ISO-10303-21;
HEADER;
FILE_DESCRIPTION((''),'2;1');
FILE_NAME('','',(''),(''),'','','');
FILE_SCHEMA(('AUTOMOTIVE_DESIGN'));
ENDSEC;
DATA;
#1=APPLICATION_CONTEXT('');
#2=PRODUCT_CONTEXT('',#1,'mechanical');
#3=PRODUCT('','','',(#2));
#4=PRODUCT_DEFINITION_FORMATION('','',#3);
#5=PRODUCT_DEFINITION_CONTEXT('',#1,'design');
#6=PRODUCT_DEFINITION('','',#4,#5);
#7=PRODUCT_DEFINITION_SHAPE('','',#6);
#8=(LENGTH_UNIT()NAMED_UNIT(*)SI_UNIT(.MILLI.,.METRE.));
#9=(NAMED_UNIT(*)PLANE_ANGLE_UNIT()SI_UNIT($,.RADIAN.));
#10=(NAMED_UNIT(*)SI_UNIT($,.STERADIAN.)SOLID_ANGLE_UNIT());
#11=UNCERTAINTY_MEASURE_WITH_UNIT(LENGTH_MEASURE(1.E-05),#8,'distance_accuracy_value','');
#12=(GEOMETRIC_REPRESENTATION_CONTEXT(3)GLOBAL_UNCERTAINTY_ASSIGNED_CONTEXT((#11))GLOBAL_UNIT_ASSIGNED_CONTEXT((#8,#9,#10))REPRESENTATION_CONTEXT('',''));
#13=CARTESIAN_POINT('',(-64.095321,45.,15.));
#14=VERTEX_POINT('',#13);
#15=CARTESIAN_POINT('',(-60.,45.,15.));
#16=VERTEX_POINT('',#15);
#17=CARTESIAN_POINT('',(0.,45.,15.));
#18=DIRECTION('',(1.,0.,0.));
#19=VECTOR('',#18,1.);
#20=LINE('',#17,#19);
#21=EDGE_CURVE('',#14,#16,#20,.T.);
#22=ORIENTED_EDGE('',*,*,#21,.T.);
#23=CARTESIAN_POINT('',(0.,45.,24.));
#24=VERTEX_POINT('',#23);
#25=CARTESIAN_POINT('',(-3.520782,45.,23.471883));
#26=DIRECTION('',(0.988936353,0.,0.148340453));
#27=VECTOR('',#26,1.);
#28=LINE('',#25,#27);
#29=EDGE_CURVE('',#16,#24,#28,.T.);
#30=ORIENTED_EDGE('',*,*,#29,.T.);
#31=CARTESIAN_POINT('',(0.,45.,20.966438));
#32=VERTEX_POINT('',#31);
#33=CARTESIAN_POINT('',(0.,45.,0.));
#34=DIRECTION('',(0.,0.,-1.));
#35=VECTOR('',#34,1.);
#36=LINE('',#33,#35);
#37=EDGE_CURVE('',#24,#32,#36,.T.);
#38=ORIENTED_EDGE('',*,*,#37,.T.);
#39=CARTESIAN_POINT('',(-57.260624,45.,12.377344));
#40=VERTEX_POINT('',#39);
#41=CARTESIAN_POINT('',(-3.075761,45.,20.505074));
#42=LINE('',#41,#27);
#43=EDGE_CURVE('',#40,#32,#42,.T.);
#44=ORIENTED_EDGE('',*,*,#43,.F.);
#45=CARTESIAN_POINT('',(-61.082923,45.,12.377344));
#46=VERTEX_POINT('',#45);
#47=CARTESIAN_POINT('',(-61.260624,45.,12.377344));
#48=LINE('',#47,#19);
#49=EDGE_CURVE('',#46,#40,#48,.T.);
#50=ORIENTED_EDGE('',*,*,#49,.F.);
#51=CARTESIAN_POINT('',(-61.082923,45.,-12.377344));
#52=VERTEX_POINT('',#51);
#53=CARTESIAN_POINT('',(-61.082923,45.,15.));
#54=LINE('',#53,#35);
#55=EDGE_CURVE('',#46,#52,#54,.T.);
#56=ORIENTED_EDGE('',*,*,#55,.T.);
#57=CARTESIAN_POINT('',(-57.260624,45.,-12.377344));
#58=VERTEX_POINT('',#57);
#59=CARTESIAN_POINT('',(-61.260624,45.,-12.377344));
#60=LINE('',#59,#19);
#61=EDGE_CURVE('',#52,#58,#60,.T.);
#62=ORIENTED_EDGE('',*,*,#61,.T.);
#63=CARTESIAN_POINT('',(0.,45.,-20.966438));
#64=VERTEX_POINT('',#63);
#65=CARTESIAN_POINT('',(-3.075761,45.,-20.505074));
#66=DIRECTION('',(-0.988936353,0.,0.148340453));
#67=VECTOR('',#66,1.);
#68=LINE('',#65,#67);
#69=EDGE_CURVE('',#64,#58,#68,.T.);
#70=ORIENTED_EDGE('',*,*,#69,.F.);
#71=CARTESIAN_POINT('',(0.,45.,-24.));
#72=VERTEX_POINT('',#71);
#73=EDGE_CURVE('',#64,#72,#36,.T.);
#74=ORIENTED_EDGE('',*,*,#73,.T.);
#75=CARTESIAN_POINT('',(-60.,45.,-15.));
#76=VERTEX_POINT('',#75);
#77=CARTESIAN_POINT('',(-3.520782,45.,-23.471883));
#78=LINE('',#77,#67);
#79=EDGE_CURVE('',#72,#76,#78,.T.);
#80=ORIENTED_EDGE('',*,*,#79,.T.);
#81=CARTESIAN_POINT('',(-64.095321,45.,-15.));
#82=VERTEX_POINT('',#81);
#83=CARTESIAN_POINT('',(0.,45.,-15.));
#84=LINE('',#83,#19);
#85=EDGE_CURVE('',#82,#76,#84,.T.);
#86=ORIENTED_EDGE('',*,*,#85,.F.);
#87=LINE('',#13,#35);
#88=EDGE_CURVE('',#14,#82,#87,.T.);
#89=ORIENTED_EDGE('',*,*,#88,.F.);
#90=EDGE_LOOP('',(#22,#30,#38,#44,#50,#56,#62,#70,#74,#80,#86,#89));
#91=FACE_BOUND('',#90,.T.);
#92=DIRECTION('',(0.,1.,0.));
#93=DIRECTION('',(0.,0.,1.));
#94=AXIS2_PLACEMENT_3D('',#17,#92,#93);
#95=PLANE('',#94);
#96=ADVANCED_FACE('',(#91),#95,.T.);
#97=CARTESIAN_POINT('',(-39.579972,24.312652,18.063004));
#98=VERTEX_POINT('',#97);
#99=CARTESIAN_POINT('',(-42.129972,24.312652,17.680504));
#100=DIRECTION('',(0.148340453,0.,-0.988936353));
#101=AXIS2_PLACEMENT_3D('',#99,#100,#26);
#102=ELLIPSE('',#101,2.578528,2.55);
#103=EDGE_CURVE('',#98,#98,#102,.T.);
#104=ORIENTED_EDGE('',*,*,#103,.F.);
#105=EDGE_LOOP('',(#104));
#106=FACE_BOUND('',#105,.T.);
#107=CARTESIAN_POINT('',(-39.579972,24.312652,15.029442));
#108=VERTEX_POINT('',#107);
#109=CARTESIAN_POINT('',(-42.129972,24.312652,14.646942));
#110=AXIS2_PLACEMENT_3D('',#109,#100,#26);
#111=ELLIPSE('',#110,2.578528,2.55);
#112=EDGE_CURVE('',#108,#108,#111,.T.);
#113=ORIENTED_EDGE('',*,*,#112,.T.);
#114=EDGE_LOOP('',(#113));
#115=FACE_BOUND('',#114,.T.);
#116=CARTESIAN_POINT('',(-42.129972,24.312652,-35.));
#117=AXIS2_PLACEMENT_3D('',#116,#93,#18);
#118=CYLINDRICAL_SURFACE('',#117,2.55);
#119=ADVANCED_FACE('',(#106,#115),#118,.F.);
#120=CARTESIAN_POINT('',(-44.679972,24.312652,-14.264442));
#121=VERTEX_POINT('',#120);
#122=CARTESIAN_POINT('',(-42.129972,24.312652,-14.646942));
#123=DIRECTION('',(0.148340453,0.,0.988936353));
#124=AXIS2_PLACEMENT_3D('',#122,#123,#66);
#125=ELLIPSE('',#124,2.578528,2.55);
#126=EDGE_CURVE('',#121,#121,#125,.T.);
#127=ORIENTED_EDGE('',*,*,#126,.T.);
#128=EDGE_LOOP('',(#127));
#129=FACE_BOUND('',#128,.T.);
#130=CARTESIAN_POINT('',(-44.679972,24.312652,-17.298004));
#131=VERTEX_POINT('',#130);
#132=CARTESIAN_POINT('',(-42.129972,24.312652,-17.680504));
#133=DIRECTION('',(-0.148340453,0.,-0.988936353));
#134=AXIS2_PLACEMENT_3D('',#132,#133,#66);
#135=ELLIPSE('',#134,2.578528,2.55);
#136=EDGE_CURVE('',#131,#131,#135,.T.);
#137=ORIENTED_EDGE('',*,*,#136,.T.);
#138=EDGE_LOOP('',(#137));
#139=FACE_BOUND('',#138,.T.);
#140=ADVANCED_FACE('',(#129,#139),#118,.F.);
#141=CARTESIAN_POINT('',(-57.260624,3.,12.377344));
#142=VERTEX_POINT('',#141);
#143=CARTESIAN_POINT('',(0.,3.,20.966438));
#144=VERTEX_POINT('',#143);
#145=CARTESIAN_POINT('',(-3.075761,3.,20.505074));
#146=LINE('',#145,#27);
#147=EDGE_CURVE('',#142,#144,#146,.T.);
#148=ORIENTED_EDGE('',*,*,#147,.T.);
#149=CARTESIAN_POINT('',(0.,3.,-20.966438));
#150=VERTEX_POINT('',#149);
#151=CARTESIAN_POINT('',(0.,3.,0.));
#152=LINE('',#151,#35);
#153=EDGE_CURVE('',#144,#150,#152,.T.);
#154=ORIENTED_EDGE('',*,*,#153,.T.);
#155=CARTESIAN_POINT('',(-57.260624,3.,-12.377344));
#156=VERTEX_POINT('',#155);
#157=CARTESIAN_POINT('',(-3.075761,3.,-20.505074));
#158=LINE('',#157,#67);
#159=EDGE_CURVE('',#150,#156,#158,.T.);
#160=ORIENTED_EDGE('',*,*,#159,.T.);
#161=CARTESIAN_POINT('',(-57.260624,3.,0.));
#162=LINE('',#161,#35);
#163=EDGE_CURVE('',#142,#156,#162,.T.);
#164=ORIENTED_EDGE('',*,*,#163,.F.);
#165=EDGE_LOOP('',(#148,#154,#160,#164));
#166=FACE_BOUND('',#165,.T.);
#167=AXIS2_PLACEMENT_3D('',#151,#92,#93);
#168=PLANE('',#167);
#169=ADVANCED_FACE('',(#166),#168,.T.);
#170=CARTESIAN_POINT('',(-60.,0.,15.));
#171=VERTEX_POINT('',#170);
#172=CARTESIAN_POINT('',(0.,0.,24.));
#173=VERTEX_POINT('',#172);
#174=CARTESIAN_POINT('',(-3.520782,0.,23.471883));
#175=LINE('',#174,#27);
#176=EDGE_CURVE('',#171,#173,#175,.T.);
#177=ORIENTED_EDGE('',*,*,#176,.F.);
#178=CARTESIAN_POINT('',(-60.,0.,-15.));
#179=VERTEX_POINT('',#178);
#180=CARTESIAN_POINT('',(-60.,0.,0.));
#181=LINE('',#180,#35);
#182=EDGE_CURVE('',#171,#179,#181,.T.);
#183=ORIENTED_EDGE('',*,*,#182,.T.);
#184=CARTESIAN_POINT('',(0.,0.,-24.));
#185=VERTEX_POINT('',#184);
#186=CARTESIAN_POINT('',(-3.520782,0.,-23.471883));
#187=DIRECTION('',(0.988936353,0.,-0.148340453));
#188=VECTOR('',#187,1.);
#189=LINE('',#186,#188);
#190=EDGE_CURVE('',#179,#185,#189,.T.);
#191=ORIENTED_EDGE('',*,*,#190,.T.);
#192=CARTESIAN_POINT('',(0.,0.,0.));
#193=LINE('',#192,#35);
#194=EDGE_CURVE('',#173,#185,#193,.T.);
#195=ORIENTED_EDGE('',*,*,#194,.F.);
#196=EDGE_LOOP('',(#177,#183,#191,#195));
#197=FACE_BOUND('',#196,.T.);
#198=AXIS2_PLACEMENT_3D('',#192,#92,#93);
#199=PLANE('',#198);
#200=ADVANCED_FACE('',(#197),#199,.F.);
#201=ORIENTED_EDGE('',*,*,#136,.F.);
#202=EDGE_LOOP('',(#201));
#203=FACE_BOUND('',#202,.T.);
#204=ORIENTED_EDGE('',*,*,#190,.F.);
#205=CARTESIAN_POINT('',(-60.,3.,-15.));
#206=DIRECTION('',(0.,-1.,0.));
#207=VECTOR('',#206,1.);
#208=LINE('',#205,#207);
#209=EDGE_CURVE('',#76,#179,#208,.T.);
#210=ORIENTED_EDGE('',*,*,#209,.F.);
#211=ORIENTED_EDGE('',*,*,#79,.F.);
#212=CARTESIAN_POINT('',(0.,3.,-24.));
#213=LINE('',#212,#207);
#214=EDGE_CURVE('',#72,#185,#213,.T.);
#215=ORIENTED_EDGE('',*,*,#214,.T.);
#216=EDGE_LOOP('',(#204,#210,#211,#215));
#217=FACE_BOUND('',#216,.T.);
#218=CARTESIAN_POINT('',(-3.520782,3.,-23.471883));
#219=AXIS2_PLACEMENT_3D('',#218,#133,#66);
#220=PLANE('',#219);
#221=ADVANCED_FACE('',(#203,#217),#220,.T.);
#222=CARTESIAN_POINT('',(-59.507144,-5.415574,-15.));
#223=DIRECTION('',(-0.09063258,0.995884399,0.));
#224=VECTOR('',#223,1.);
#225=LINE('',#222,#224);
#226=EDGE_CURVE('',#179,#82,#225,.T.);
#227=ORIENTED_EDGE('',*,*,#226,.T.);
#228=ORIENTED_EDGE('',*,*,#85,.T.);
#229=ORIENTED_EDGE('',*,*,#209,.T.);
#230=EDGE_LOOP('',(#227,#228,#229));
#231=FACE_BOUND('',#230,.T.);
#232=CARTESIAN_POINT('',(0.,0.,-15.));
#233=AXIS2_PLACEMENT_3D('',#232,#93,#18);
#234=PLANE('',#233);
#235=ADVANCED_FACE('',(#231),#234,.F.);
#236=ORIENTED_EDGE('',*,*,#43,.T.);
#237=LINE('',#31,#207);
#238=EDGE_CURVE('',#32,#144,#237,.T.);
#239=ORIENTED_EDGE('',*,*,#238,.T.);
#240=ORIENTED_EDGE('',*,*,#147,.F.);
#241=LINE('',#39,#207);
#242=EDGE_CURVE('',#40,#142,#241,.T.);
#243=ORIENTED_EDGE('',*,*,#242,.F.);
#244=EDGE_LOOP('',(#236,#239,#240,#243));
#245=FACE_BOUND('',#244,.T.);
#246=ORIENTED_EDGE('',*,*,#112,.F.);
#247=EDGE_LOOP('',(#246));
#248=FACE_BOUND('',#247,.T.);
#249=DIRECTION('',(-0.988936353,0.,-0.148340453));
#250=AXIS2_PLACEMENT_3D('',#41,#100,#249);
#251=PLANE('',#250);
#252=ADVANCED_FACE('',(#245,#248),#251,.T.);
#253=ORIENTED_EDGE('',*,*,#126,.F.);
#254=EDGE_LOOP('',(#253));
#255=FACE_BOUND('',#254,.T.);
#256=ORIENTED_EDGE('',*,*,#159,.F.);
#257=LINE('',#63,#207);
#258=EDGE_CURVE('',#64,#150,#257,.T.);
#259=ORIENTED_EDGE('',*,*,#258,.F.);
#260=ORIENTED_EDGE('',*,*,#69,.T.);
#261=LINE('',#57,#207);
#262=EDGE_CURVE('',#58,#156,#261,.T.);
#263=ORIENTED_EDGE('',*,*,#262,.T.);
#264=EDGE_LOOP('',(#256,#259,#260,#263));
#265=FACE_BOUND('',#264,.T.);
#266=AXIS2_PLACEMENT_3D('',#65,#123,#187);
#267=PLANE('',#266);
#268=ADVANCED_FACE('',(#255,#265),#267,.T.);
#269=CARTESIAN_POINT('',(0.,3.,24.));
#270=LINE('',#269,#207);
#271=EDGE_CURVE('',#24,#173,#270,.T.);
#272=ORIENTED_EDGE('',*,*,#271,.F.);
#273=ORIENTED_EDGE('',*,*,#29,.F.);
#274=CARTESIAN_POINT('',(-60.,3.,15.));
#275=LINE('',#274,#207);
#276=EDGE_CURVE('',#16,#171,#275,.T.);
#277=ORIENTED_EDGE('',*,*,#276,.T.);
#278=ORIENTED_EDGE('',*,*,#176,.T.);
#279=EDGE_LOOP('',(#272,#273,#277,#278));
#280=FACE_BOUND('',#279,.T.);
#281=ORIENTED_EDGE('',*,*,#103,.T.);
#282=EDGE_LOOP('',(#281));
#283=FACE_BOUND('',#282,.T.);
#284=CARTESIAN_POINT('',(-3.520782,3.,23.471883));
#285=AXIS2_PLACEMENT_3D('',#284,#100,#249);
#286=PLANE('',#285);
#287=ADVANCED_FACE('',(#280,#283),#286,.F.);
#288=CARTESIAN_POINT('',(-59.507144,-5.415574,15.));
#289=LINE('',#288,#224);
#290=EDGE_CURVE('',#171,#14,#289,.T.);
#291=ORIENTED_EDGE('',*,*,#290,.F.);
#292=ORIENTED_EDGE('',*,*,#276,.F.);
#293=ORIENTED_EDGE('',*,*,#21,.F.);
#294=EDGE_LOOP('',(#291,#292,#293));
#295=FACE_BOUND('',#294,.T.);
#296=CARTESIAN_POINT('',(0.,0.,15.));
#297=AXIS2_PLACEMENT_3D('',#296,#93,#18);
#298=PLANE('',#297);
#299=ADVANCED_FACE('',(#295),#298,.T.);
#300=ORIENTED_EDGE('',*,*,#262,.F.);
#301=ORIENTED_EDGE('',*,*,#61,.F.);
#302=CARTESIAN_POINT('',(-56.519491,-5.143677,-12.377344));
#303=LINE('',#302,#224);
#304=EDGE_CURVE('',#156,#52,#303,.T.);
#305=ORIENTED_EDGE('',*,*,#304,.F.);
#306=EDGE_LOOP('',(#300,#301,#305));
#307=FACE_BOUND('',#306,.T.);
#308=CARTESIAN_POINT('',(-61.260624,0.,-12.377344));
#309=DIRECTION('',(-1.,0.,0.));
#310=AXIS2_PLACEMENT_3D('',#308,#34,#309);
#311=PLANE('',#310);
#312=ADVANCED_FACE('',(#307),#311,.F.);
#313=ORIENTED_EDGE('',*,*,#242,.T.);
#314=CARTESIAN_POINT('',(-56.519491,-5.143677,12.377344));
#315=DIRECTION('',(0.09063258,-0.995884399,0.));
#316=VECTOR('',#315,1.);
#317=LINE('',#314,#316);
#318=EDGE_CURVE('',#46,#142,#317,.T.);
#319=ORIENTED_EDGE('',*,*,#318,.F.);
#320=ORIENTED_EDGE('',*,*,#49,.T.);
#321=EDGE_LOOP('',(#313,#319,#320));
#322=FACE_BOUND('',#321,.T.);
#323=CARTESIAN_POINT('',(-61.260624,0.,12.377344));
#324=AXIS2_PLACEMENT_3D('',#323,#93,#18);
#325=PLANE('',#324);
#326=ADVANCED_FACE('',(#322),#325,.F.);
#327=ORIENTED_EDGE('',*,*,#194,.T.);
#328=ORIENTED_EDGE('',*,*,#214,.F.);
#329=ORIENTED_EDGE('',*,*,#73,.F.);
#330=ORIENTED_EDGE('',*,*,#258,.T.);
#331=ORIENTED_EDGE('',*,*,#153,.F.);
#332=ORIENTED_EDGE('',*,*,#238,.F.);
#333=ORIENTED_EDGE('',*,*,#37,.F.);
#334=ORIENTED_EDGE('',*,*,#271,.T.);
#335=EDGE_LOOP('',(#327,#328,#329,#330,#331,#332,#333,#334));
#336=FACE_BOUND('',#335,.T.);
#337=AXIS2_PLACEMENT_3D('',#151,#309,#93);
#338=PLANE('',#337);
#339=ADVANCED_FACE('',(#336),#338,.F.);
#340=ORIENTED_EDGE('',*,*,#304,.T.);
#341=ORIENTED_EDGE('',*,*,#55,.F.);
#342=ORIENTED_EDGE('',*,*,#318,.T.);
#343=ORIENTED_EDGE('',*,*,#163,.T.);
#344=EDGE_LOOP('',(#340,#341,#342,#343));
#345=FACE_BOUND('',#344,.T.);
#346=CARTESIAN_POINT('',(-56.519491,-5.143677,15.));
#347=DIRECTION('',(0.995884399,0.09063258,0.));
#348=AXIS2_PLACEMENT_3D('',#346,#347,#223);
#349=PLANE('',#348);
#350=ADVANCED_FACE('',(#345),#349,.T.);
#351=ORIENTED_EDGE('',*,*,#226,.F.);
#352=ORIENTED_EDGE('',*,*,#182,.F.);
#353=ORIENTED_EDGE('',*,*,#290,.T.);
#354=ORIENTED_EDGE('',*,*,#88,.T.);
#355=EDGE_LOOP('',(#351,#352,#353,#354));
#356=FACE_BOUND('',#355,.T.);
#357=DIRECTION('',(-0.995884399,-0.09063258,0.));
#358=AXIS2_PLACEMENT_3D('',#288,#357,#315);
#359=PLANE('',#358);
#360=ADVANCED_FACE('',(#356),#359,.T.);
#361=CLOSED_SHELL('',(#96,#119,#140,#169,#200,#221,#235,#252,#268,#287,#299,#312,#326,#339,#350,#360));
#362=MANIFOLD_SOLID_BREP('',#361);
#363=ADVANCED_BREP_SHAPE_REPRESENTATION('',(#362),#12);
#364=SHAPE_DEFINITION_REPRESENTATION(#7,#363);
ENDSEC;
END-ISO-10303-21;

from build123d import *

# Parameters (mm, degrees)
BOSS_EXTRUDE1_DEPTH = 3
BOSS_EXTRUDE2_DEPTH = 15
BOSS_EXTRUDE3_DEPTH = 42
SKETCH6_W           = 2.622655796
SKETCH6_H           = 42
SKETCH6_H_2         = 45
BOSS_EXTRUDE4_DEPTH = 4
CUT_EXTRUDE1_DEPTH  = 88.488342941
SKETCH8_R           = 2.55
CUT_EXTRUDE2_DEPTH  = 50


with BuildPart() as part:
    # Sketch1 → Boss-Extrude1 (new body)
    with BuildSketch(Plane(origin=(0, 0, 0), x_dir=(1, 0, 0), z_dir=(0, 1, 0))):
        Polygon((-60, 0), (0, 0), (0, 24), (-60, 15), align=None)
        Polygon((-60, -15), (0, -24), (0, 0), (-60, 0), align=None)
    extrude(amount=BOSS_EXTRUDE1_DEPTH)

    # Sketch3 → Boss-Extrude2 (add, symmetric)
    with BuildSketch(Plane.XY):
        Polygon((-64.095320817, 45), (-61.082922988, 45), (-56.987602171, 0), (-60, 0), align=None)
    extrude(amount=BOSS_EXTRUDE2_DEPTH, both=True)

    # Sketch4 → Boss-Extrude3 (add)
    with BuildSketch(Plane(origin=(0, 3, 0), x_dir=(1, 0, 0), z_dir=(0, 1, 0))):
        Polygon((-57.260623559, 12.377344204), (0, 20.966437738), (0, 24), (-60, 15), (-57.260623559, 15), align=None)
        Polygon((0, -24), (0, -20.966437738), (-57.260623559, -12.377344204), (-57.260623559, -15), (-60, -15), align=None)
    extrude(amount=BOSS_EXTRUDE3_DEPTH)

    # Sketch6 → Boss-Extrude4 (add)
    with BuildSketch(Plane.ZY.offset(57.260623559)):
        with Locations((-13.688672102, 24)):
            Rectangle(SKETCH6_W, SKETCH6_H)
        with Locations((13.688672102, 22.5)):
            Rectangle(SKETCH6_W, SKETCH6_H_2)
    extrude(amount=BOSS_EXTRUDE4_DEPTH)

    # Sketch7 → Cut-Extrude1 (cut, through all)
    with BuildSketch(Plane.XY.offset(15)):
        Polygon((-61.260623559, 13.851920935), (-60, 0), (-61.260623559, 0), align=None)
    extrude(amount=-CUT_EXTRUDE1_DEPTH, mode=Mode.SUBTRACT)

    # Sketch8 → Cut-Extrude2 (cut, symmetric)
    with BuildSketch(Plane.XY.offset(15)):
        with Locations((-42.129972436, 24.312651604)):
            Circle(SKETCH8_R)
    extrude(amount=CUT_EXTRUDE2_DEPTH, both=True, mode=Mode.SUBTRACT)


solid = part.part
